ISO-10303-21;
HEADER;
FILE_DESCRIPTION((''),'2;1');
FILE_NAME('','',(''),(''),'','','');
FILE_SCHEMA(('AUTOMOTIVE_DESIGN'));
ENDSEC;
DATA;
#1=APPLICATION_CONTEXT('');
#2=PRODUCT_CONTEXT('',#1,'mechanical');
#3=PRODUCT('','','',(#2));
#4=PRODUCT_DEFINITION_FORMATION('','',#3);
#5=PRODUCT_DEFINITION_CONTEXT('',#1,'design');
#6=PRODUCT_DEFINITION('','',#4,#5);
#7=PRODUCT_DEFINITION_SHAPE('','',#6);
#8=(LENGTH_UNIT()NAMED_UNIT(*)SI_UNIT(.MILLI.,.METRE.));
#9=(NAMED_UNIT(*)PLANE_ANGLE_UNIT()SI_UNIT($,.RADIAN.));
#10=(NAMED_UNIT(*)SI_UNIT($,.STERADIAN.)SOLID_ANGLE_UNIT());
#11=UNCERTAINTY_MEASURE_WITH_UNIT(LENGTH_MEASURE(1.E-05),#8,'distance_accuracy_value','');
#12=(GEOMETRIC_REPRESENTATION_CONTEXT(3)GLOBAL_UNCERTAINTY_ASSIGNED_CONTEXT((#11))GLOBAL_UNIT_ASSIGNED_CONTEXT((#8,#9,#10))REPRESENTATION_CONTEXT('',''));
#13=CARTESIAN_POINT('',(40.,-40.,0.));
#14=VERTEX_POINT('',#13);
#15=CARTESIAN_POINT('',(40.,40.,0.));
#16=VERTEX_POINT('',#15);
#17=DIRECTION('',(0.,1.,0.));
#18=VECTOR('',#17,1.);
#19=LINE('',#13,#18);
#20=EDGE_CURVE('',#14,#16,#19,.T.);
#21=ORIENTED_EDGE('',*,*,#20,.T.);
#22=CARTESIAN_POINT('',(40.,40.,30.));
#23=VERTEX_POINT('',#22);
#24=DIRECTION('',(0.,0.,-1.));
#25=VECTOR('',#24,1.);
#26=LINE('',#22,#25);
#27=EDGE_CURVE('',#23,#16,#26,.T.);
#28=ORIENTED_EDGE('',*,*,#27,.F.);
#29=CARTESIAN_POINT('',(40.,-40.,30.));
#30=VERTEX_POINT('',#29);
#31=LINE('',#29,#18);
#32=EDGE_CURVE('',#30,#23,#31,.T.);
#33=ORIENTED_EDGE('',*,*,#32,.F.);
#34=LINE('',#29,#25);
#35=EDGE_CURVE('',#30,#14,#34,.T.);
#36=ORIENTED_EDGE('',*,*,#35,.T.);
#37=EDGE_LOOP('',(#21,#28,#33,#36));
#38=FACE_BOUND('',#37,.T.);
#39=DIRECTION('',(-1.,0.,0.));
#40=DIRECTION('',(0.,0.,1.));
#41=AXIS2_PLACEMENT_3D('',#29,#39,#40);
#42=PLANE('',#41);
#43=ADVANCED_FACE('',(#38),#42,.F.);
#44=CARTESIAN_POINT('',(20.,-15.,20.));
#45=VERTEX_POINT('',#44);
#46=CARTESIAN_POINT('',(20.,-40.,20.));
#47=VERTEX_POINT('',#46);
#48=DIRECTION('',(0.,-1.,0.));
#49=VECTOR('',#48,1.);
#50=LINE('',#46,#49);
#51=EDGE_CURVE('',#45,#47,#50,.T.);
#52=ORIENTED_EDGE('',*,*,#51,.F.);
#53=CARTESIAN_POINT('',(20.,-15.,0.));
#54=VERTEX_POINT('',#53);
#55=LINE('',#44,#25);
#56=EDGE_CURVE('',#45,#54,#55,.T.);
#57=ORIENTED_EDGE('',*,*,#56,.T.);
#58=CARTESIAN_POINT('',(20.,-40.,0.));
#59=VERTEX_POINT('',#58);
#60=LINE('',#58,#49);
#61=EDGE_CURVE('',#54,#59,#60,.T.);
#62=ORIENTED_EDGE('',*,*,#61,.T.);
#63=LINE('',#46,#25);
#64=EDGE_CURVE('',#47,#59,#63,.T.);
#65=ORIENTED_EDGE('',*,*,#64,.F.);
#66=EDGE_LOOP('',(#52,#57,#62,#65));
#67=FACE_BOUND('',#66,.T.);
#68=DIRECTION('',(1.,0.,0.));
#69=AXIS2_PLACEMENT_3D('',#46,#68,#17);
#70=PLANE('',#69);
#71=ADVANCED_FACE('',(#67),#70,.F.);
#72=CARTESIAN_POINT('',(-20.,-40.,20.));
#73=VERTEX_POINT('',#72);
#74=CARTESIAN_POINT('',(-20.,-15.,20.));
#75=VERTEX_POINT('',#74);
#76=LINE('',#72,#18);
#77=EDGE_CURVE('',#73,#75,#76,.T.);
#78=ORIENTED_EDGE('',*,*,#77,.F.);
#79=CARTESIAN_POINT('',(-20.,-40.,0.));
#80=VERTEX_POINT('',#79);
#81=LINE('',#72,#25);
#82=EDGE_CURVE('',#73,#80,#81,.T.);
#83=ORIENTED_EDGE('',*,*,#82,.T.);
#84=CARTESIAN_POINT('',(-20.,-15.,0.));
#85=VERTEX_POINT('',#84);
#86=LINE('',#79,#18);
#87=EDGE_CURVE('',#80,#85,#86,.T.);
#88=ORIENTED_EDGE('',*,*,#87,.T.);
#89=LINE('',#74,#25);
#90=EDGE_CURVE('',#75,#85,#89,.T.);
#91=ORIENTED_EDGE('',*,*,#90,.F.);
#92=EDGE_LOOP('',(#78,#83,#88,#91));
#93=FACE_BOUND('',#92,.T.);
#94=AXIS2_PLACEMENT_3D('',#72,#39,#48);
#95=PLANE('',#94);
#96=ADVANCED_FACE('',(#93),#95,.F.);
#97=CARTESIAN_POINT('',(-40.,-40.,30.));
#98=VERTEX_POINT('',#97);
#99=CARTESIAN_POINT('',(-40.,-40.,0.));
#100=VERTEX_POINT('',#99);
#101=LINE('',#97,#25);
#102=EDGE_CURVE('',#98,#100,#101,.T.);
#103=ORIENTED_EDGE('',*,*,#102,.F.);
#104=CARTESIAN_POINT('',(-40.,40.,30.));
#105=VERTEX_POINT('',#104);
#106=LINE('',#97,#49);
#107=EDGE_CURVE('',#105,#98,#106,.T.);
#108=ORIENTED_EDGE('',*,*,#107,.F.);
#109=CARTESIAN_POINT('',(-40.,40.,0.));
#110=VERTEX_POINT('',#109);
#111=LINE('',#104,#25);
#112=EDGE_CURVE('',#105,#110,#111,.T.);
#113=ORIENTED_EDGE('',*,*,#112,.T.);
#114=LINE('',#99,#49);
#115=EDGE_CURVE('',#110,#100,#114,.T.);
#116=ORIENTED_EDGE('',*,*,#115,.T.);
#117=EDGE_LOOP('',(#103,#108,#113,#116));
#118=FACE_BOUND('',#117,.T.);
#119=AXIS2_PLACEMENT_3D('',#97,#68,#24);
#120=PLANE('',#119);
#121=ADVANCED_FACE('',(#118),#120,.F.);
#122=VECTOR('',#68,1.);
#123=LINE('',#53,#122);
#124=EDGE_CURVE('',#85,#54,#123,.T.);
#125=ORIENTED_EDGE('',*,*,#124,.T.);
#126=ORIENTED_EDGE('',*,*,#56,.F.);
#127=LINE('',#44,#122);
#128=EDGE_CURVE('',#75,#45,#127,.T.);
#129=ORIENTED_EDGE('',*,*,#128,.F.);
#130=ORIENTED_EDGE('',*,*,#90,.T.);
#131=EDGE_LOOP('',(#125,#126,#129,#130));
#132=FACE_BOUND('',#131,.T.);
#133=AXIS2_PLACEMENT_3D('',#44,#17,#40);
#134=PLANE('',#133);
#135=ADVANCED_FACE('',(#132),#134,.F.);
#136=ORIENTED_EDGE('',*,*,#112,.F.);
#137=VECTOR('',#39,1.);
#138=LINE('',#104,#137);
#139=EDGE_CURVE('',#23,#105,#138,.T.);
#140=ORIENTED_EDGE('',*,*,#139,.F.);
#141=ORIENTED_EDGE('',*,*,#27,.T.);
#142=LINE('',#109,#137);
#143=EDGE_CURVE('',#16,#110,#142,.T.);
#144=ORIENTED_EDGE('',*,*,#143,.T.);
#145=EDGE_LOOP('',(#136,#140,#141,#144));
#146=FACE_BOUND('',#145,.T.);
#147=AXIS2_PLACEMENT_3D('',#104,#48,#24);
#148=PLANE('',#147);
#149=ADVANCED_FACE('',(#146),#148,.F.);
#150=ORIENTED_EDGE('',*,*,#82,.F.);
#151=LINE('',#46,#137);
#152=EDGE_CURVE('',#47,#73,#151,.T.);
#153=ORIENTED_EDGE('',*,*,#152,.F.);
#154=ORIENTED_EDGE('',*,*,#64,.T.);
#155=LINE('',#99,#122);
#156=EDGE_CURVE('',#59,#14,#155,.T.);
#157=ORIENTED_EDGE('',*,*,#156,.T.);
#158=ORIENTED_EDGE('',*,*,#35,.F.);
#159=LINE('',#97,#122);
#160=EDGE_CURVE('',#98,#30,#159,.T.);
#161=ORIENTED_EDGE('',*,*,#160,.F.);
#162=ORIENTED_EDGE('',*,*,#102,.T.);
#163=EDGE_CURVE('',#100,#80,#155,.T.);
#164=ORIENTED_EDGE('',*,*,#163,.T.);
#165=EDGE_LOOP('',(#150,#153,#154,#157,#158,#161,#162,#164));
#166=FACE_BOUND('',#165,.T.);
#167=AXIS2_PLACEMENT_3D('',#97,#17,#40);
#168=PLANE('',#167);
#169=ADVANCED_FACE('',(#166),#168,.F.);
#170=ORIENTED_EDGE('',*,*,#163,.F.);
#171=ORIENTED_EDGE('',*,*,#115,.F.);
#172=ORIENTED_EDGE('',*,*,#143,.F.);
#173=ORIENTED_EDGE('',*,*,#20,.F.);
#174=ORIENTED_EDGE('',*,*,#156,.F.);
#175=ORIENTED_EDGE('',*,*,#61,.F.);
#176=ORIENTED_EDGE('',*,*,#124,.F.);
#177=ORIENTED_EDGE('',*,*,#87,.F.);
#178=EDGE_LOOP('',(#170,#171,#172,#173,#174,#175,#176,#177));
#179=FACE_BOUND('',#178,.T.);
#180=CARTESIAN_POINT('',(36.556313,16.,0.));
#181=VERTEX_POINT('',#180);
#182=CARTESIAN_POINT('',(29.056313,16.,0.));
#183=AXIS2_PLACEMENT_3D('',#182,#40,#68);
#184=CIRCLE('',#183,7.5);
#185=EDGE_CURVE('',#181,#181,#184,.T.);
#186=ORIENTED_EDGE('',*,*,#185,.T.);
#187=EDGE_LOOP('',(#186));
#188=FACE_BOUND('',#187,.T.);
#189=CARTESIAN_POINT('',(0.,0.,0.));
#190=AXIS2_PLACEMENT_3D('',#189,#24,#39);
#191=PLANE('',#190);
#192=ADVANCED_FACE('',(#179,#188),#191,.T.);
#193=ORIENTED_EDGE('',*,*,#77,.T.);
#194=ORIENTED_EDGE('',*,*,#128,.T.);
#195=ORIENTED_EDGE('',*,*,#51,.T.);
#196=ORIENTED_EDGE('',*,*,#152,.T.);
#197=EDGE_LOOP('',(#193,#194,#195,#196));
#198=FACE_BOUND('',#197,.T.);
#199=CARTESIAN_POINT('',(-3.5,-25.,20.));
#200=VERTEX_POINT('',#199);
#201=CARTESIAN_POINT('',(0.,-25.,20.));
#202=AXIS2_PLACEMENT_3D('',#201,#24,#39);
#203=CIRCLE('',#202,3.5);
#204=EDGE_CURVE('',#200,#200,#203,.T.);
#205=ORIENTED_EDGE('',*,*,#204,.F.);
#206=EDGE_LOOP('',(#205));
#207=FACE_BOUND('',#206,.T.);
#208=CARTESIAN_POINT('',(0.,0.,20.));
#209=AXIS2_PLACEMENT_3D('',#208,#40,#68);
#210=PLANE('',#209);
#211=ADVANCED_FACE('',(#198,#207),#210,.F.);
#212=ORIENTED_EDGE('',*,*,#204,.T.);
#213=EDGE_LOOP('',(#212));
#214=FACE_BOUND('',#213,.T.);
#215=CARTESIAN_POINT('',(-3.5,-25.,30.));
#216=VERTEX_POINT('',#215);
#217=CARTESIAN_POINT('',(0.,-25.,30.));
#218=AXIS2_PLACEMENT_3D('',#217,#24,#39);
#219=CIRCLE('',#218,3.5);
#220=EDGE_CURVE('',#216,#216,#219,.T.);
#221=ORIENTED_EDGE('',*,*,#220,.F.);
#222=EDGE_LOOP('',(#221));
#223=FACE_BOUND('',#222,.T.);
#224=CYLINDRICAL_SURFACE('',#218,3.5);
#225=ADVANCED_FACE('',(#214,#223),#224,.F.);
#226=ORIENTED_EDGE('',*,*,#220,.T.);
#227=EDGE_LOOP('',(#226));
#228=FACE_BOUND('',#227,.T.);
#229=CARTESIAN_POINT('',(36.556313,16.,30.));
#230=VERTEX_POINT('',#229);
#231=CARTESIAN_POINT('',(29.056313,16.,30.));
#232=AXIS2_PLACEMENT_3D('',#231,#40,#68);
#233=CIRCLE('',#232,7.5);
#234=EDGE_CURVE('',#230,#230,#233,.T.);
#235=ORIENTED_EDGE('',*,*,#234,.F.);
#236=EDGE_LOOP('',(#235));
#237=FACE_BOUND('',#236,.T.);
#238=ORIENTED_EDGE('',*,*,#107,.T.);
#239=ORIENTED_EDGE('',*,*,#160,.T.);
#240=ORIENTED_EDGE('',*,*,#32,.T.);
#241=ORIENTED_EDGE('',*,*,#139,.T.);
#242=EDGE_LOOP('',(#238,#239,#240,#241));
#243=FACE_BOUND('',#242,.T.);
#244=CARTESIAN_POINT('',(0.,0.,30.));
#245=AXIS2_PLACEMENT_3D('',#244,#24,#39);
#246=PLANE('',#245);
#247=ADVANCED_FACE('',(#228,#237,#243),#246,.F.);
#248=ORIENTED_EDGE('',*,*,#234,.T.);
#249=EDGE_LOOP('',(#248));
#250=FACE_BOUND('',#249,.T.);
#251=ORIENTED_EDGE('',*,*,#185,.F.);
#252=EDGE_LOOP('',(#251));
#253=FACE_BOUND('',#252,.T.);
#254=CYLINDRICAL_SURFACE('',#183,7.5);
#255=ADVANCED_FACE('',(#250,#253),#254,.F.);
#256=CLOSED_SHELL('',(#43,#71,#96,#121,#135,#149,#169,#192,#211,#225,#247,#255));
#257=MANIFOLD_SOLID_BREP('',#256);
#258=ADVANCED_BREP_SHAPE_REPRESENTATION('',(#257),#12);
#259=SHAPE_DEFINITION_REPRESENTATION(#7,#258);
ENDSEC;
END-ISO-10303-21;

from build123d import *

# Parameters (mm, degrees)
SKETCH1_W           = 80
SKETCH1_H           = 80
BOSS_EXTRUDE1_DEPTH = 30
SKETCH3_W           = 40
SKETCH3_H           = 25
CUT_EXTRUDE2_DEPTH  = 20
SKETCH4_R           = 3.5
CUT_EXTRUDE3_DEPTH  = 61
SKETCH6_R           = 7.5
CUT_EXTRUDE5_DEPTH  = 65.031242374


with BuildPart() as part:
    # Sketch1 → Boss-Extrude1 (new body)
    with BuildSketch(Plane.XY):
        Rectangle(SKETCH1_W, SKETCH1_H)
    extrude(amount=BOSS_EXTRUDE1_DEPTH)

    # Sketch3 → Cut-Extrude2 (cut)
    with BuildSketch(Plane(origin=(0, 0, 0), x_dir=(-1, 0, 0), z_dir=(0, 0, -1))):
        with Locations((0, -27.5)):
            Rectangle(SKETCH3_W, SKETCH3_H)
    extrude(amount=-CUT_EXTRUDE2_DEPTH, mode=Mode.SUBTRACT)

    # Sketch4 → Cut-Extrude3 (cut, through all)
    with BuildSketch(Plane(origin=(0, 0, 20), x_dir=(-1, 0, 0), z_dir=(0, 0, -1))):
        with Locations((0, -25)):
            Circle(SKETCH4_R)
    extrude(amount=-CUT_EXTRUDE3_DEPTH, mode=Mode.SUBTRACT)

    # Sketch6 → Cut-Extrude5 (cut, through all)
    with BuildSketch(Plane.XY.offset(30)):
        with Locations((29.056312598, 16)):
            Circle(SKETCH6_R)
    extrude(amount=-CUT_EXTRUDE5_DEPTH, mode=Mode.SUBTRACT)


solid = part.part
